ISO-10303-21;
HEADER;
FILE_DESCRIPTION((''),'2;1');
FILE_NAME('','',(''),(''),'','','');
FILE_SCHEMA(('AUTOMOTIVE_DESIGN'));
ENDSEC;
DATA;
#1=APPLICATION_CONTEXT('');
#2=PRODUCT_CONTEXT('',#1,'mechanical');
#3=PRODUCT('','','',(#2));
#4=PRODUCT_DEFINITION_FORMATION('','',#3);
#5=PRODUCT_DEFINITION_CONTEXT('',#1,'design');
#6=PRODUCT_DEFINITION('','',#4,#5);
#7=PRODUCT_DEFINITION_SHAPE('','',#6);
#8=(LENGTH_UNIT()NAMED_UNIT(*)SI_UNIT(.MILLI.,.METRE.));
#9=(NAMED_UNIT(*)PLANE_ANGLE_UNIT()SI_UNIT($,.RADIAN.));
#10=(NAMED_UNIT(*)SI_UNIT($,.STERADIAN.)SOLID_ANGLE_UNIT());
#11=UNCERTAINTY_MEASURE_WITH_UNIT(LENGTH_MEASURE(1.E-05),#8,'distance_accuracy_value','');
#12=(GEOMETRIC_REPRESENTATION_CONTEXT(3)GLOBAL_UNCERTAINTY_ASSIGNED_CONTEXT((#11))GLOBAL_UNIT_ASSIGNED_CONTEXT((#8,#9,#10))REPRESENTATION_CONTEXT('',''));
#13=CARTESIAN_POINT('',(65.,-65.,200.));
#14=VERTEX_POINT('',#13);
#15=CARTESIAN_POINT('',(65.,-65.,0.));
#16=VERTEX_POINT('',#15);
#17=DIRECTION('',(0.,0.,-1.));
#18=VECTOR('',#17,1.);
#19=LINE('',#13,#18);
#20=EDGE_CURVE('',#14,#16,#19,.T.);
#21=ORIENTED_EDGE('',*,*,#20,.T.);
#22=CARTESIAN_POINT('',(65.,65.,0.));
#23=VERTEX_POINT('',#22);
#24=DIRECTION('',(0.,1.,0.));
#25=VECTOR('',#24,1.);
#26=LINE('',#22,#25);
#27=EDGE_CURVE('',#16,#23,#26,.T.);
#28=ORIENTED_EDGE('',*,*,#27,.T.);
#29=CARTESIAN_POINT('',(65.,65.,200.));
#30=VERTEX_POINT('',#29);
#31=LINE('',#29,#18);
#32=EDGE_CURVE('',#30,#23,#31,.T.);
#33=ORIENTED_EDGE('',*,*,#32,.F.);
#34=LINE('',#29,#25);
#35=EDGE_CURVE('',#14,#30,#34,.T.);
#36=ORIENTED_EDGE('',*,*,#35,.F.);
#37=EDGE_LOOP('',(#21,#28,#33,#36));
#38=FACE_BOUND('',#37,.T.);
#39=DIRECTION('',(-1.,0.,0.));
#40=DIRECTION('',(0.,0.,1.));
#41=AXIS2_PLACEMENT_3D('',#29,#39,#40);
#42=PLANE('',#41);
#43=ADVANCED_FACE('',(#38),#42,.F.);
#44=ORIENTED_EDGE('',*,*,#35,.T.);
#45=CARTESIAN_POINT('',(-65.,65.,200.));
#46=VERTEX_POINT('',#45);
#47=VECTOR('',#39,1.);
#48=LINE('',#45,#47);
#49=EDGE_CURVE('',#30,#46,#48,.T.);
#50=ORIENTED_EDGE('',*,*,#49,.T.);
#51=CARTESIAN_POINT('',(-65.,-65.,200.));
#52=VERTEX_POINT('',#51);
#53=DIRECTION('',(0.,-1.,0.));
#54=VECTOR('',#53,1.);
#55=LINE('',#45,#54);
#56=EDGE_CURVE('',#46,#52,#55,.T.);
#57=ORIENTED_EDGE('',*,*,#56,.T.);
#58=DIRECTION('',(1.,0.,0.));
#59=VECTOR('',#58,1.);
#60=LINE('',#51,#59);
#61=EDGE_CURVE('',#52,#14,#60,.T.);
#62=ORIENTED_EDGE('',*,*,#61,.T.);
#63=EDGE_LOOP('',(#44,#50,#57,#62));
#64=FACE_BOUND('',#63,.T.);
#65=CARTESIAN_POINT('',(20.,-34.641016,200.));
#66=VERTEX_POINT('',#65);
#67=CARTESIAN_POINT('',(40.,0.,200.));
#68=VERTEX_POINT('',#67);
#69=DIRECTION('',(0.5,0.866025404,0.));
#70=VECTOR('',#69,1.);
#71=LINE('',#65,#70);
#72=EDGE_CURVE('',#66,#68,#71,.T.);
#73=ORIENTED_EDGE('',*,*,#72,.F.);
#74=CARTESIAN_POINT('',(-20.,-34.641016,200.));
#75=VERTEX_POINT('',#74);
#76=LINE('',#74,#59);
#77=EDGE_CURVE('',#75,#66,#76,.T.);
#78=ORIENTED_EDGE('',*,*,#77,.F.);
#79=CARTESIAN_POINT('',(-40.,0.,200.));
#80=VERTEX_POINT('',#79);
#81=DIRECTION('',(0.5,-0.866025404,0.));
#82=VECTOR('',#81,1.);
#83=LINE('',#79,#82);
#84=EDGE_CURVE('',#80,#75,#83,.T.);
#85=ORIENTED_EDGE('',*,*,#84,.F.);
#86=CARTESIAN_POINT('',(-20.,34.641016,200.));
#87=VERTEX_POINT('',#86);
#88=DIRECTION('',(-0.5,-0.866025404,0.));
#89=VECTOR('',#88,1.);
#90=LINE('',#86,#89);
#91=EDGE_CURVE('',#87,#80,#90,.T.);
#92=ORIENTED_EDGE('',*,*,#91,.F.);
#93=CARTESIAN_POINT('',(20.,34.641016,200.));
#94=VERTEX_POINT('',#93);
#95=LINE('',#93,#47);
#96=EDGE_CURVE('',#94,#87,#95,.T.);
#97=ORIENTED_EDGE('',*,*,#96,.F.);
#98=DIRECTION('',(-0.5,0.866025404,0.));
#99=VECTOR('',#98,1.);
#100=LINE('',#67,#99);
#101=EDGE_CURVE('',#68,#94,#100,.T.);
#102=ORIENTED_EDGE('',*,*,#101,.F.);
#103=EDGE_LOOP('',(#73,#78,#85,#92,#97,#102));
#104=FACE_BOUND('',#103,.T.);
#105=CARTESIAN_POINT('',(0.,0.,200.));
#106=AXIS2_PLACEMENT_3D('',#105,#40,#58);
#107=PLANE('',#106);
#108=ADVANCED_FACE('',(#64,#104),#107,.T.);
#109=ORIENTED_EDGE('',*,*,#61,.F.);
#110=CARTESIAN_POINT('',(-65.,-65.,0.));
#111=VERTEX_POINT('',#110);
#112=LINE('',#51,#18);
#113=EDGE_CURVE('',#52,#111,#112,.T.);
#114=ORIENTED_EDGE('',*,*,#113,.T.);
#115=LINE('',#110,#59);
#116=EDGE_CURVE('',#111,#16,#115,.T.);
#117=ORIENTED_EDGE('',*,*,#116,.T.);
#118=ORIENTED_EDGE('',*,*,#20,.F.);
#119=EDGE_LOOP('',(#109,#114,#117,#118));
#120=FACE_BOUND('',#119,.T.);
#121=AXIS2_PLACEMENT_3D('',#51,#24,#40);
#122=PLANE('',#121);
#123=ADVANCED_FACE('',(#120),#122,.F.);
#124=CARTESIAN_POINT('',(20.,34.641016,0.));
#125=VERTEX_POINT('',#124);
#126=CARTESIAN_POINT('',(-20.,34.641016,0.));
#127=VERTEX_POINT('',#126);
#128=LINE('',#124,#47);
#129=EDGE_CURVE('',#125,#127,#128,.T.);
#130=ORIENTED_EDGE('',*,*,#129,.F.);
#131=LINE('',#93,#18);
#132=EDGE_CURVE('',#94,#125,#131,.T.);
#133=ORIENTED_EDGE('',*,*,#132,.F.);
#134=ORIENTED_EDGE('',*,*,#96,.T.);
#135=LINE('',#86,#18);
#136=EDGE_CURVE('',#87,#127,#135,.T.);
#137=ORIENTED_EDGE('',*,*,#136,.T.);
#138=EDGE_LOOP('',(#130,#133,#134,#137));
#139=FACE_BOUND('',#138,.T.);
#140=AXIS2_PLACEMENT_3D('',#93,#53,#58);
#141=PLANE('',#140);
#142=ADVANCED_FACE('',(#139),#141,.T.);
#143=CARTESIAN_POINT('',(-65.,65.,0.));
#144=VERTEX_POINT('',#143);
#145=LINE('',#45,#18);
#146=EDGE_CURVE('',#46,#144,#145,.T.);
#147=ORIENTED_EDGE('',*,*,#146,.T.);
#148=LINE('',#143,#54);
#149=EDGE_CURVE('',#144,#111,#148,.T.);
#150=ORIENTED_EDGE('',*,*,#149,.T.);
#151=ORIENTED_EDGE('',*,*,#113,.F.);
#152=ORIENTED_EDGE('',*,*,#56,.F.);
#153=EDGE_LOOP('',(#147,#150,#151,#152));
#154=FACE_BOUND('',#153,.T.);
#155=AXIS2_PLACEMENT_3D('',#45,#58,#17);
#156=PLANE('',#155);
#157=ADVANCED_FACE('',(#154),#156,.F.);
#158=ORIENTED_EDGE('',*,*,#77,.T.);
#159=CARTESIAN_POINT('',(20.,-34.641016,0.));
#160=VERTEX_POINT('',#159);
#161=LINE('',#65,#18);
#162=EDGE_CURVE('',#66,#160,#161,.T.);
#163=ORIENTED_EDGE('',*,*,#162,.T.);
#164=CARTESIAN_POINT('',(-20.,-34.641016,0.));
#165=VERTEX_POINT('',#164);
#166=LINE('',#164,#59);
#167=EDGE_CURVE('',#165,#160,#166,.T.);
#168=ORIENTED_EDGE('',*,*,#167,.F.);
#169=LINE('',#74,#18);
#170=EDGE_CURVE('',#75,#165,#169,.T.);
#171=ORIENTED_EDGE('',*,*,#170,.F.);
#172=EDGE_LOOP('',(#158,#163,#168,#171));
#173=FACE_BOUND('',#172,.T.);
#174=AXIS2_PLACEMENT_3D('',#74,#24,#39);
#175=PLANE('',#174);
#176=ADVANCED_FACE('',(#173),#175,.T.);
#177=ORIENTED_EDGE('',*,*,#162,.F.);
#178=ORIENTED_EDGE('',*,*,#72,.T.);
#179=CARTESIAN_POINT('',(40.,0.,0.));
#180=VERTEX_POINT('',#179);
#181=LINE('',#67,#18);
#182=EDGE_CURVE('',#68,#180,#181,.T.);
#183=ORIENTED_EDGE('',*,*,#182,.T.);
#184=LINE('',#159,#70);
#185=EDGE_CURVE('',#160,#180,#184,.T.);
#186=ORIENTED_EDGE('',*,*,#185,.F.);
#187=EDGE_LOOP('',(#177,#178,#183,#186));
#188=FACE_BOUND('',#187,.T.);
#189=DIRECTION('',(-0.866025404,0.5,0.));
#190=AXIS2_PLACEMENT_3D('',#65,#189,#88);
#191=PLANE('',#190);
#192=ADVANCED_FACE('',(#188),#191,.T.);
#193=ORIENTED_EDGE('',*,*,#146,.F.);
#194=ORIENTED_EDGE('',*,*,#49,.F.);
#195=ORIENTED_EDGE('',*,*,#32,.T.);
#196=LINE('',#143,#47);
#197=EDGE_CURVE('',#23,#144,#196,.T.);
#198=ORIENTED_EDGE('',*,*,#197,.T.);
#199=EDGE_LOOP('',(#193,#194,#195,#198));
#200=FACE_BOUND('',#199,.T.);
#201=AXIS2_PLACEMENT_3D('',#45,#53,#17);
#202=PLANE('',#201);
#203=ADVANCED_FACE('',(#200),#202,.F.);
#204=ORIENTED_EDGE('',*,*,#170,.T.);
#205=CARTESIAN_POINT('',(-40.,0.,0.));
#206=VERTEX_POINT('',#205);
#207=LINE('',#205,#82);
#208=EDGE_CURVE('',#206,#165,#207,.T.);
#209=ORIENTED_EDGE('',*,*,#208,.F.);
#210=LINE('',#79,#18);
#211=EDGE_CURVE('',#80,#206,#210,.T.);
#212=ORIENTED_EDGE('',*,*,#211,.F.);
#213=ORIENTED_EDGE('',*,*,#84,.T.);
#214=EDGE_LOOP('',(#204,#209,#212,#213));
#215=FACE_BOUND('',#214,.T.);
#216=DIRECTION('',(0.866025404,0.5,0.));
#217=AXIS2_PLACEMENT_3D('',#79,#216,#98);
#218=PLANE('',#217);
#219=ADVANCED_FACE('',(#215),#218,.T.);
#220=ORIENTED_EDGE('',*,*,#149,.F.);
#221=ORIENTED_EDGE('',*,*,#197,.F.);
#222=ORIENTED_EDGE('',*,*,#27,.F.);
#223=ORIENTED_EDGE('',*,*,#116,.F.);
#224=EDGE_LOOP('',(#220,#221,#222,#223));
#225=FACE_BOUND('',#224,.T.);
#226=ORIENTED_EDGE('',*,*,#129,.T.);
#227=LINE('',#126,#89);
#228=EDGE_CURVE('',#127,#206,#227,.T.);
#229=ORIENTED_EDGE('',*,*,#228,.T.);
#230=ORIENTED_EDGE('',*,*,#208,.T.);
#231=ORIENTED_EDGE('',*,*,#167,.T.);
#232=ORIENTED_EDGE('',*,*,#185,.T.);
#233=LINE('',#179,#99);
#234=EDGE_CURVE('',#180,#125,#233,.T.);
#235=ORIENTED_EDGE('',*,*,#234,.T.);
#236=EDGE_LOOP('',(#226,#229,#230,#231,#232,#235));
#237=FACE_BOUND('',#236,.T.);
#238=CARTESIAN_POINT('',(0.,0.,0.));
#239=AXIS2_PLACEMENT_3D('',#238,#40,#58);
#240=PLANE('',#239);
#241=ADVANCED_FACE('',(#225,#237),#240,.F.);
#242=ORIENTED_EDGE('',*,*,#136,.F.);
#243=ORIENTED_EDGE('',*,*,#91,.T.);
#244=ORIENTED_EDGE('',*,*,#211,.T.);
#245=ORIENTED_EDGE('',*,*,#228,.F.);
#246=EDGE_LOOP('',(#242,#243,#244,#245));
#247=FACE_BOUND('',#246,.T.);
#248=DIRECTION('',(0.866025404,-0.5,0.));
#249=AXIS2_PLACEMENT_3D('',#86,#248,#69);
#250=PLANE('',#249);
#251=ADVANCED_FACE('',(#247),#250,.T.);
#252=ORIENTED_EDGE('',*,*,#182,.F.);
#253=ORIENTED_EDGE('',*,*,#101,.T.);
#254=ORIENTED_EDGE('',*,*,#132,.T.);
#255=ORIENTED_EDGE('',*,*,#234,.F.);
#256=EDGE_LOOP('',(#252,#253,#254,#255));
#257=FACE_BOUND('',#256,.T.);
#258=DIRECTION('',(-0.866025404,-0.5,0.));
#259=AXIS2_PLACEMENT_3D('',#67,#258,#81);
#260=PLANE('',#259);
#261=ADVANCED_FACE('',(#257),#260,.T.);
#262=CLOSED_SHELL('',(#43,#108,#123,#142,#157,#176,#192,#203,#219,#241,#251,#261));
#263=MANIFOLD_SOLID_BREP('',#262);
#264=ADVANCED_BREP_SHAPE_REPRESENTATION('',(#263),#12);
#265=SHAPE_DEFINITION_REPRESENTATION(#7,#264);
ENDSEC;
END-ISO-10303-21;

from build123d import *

# Parameters (mm, degrees)
SKETCH_2_W      = 130
SKETCH_2_H      = 130
EXTRUDE_2_DEPTH = 200


with BuildPart() as part:
    # 스케치2 → 보스-돌출2 (new body)
    with BuildSketch(Plane.XY):
        Rectangle(SKETCH_2_W, SKETCH_2_H)
        Polygon((20, 34.641016151), (-20, 34.641016151), (-40, 0), (-20, -34.641016151), (20, -34.641016151), (40, 0), align=None, mode=Mode.SUBTRACT)
    extrude(amount=EXTRUDE_2_DEPTH)


solid = part.part
